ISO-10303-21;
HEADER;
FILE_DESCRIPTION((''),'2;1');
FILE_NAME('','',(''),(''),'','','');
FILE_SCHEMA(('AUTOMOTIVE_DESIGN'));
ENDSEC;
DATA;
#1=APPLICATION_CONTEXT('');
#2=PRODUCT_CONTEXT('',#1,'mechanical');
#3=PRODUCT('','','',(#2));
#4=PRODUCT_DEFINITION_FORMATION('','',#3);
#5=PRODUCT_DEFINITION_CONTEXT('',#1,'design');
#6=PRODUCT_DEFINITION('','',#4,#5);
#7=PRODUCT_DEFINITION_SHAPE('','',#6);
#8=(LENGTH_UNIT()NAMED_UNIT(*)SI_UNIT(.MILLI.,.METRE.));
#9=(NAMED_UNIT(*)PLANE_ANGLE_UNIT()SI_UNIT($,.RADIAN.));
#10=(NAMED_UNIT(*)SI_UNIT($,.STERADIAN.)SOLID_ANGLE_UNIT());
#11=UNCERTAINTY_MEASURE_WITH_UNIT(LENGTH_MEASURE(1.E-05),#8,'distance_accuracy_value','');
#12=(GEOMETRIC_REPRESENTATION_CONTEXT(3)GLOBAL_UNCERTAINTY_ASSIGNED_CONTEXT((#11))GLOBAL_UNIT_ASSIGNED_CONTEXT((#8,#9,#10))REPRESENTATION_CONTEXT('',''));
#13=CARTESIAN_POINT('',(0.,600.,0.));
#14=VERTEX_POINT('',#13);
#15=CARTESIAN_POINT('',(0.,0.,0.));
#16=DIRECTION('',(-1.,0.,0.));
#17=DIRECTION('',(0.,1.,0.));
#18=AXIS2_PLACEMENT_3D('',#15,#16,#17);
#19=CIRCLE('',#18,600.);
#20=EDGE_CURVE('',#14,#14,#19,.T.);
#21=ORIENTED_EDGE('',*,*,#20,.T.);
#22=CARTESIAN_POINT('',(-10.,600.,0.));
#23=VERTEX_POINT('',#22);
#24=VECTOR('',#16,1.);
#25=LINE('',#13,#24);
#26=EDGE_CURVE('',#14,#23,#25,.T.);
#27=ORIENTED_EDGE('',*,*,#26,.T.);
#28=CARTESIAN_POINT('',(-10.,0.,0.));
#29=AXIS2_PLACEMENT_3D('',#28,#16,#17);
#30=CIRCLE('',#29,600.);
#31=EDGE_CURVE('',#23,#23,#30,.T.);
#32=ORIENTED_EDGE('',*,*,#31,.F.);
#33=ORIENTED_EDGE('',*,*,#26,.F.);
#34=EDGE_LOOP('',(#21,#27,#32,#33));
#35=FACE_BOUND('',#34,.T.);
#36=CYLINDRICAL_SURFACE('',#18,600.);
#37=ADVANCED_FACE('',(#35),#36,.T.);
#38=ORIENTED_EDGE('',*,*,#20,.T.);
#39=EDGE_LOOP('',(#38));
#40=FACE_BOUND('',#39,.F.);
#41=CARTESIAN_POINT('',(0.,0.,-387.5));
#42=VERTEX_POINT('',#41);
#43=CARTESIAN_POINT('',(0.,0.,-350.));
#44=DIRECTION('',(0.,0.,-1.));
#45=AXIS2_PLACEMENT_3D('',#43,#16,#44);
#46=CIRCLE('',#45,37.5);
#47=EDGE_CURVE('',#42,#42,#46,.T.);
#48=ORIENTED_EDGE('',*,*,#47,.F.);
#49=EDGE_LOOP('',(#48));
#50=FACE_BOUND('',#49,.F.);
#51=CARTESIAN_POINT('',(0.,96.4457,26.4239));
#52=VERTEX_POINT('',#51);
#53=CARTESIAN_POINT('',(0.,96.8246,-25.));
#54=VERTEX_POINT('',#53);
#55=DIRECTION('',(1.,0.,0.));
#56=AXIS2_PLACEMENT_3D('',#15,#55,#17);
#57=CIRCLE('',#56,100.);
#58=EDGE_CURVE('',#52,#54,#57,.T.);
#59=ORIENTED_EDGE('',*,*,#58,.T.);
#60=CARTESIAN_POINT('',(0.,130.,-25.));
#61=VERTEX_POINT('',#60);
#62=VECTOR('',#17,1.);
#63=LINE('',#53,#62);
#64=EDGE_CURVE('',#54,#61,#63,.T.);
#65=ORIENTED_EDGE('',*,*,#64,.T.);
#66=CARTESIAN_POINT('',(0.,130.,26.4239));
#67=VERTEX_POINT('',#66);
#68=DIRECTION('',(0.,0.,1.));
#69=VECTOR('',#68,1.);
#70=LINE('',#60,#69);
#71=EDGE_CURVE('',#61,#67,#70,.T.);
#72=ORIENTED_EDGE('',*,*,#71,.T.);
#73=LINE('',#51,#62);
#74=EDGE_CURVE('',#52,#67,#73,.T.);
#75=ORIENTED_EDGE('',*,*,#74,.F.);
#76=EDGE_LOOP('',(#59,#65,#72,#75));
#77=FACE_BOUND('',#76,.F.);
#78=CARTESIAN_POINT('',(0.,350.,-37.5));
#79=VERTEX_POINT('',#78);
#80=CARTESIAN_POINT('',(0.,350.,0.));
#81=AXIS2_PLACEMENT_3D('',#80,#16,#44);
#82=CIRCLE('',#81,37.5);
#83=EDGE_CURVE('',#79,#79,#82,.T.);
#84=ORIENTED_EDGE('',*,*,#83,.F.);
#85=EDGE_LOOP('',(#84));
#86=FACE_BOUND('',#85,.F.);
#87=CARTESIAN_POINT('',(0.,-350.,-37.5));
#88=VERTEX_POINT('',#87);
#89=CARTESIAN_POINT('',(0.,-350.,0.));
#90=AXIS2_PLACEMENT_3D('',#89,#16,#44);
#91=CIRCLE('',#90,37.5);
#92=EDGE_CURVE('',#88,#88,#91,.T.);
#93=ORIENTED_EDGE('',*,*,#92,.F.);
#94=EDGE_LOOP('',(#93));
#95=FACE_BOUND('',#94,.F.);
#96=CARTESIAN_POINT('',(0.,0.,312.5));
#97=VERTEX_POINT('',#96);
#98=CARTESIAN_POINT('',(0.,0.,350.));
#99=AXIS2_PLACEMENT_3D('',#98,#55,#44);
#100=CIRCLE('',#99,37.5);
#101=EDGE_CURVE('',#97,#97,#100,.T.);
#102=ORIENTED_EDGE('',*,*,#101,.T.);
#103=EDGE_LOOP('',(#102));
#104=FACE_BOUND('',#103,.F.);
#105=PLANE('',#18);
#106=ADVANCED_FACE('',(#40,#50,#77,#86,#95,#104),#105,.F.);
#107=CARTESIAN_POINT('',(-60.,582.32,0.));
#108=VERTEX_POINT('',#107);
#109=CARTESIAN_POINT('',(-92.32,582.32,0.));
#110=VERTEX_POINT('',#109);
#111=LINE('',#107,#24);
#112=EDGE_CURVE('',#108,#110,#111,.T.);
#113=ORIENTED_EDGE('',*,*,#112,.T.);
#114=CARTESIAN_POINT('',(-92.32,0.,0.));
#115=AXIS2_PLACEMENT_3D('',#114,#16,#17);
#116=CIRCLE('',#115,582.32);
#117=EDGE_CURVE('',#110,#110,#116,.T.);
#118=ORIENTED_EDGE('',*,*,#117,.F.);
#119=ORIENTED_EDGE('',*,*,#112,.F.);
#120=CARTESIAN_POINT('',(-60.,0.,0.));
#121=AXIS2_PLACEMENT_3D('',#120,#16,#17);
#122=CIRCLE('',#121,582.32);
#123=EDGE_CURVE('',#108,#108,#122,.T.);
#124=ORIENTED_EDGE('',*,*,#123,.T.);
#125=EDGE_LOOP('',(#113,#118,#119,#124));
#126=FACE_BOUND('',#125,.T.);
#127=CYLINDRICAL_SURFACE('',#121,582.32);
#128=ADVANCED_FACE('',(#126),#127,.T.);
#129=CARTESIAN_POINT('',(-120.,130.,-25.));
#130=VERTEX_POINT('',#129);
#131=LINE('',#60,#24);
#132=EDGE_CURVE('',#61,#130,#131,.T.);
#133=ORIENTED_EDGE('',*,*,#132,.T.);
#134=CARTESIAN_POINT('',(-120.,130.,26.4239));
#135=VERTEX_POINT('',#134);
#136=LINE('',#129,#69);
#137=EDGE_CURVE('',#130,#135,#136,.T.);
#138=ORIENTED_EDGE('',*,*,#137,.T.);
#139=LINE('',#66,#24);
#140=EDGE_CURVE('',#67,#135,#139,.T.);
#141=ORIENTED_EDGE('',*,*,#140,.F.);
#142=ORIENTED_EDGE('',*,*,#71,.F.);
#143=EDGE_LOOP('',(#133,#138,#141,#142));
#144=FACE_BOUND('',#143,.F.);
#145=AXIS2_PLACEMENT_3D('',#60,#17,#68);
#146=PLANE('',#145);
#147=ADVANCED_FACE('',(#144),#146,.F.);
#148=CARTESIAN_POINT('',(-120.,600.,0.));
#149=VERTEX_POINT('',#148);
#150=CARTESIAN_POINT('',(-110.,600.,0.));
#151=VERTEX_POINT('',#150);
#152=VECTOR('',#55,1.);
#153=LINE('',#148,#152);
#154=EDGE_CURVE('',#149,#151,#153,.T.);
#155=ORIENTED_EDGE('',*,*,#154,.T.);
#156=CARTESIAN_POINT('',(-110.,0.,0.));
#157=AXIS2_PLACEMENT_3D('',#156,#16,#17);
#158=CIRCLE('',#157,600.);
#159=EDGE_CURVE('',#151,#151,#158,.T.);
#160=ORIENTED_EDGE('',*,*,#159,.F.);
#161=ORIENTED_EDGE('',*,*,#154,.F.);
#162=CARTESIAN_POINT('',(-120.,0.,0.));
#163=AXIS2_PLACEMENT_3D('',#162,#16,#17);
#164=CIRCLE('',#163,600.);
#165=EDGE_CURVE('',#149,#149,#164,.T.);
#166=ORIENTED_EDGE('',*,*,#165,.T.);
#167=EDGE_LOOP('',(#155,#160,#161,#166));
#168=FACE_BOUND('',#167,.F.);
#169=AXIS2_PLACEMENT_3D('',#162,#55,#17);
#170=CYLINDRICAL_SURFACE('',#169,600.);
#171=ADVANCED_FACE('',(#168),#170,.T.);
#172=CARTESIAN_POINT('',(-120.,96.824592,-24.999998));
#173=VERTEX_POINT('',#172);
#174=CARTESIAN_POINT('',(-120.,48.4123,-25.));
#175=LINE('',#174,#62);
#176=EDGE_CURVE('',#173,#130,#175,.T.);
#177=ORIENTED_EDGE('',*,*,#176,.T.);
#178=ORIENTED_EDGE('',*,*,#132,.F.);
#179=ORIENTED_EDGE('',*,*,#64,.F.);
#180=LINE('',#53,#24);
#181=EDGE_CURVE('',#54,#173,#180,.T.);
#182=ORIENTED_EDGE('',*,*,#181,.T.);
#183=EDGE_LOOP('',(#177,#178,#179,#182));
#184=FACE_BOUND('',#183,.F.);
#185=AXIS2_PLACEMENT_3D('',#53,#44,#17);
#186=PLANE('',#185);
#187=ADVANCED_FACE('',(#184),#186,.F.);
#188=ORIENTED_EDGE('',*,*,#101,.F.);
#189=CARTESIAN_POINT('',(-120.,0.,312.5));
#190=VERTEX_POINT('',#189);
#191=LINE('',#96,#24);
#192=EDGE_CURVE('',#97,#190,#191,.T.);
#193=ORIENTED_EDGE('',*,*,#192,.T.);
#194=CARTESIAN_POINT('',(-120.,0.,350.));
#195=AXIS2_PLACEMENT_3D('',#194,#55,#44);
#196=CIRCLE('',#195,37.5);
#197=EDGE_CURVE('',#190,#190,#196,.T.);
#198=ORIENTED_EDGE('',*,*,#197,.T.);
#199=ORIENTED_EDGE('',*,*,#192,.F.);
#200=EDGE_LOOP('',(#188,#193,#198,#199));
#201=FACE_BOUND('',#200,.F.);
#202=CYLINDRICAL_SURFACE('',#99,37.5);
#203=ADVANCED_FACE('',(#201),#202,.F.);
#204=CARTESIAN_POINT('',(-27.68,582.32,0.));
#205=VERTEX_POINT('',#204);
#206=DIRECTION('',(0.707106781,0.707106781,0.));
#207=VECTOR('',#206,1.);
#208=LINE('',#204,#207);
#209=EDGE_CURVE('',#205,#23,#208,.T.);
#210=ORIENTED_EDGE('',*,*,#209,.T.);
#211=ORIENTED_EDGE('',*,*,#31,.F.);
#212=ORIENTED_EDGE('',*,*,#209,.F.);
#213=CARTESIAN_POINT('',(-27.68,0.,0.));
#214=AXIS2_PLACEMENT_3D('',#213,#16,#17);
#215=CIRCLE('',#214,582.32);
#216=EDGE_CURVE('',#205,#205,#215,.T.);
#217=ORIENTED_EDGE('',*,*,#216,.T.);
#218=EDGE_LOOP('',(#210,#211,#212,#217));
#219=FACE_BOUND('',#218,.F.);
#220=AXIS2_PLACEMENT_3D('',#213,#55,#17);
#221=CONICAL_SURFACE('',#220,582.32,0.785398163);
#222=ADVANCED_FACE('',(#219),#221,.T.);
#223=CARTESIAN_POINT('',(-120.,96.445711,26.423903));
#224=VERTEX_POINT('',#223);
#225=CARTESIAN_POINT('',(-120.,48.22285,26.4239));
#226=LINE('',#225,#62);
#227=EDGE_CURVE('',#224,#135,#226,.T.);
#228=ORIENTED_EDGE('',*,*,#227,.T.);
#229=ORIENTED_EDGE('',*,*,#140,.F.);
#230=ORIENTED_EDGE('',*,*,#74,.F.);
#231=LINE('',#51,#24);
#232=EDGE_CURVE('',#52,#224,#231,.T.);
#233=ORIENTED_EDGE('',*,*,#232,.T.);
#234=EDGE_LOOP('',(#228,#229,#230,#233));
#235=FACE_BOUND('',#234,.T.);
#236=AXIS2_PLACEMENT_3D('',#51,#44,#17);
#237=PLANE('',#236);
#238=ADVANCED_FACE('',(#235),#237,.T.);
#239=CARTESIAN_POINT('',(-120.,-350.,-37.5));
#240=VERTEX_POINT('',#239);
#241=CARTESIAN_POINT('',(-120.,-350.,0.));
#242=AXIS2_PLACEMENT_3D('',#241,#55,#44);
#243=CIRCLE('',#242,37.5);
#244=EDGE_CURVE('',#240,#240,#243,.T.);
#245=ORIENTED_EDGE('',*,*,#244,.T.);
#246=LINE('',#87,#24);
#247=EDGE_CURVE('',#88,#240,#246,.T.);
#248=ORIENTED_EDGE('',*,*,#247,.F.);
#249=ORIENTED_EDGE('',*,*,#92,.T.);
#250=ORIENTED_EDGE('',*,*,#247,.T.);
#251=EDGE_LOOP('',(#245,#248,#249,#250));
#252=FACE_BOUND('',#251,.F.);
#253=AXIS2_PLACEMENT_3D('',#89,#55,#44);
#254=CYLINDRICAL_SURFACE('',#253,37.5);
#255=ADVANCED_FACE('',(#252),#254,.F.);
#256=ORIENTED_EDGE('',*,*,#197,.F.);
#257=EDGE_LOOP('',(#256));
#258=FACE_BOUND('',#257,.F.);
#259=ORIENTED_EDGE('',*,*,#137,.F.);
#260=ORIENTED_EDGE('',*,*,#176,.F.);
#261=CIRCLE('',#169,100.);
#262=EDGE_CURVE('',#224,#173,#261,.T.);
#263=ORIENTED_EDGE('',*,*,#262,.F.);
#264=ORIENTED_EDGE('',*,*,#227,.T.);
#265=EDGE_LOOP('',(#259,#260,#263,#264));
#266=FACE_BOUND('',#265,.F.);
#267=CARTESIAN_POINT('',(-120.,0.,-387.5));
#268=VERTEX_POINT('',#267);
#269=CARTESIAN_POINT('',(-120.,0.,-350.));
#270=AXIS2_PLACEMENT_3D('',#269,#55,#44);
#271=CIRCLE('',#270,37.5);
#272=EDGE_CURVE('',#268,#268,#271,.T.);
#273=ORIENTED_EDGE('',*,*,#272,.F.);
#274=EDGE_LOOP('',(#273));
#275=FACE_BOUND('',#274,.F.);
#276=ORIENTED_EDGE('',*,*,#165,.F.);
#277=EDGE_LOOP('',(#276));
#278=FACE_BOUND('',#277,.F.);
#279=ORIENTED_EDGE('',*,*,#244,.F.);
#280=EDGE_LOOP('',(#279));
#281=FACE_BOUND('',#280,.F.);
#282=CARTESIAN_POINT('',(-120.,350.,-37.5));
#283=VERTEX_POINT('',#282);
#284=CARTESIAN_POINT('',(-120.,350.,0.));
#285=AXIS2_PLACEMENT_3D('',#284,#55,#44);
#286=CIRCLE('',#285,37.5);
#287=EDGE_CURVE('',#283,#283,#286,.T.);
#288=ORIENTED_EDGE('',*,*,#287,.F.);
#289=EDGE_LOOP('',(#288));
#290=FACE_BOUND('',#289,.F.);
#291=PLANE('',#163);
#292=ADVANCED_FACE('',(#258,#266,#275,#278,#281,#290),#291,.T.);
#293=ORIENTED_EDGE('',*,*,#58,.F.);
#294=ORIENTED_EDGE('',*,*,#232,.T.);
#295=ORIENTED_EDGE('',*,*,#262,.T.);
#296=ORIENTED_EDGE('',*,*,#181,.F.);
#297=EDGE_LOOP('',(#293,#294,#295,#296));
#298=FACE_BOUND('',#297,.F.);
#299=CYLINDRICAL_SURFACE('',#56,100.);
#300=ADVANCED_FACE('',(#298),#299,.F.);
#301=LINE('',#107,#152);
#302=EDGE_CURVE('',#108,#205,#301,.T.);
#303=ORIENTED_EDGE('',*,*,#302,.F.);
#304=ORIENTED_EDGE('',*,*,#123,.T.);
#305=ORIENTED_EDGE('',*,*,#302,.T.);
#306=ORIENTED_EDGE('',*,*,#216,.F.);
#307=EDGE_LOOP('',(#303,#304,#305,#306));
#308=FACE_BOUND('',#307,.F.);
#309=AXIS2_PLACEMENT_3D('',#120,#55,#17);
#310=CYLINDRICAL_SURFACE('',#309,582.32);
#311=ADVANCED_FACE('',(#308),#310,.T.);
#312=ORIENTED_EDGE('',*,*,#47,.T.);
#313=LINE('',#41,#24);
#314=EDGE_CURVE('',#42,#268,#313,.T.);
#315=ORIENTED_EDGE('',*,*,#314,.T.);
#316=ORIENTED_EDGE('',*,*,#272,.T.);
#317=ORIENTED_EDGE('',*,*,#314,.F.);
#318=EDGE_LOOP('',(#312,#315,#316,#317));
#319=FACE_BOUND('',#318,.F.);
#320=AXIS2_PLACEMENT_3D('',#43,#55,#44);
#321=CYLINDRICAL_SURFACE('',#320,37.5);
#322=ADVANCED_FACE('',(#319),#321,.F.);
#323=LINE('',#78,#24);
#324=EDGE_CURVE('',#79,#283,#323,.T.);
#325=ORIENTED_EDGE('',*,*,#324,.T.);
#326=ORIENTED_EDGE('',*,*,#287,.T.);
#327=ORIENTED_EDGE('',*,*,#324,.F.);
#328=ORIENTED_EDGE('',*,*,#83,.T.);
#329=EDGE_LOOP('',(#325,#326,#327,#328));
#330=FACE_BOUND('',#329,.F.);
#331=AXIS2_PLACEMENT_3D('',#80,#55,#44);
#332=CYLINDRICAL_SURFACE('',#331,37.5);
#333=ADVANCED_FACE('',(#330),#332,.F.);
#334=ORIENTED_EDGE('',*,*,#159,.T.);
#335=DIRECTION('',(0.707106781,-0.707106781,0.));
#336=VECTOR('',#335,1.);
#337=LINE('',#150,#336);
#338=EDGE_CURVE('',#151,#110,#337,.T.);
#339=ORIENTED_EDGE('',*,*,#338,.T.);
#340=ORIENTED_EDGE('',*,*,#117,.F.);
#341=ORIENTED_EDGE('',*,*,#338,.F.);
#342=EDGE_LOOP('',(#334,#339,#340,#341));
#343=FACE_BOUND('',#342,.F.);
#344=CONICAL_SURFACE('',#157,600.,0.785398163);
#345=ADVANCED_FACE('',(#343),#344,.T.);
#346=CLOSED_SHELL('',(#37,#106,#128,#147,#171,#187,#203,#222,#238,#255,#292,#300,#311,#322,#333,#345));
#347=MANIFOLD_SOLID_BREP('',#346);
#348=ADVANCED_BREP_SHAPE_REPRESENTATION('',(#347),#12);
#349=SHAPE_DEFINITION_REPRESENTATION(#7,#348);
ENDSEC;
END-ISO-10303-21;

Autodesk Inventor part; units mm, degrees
ref_plane "YZ Plane" through (0, 0, 0) normal (1, 0, 0) x (0, 1, 0)
ref_plane "XZ Plane" through (0, 0, 0) normal (0, 1, 0) x (-1, 0, 0)
ref_plane "XY Plane" through (0, 0, 0) normal (0, 0, 1) x (1, 0, 0)
sketch "Sketch1" plane through (0, 0, 0) normal (0, 0, 1) x (1, 0, 0)
  line L0 (0, 0) -> (-120, 0)
  line L1 (-120, 0) -> (-120, 600)
  line L2 (0, 600) -> (0, 0)
  line L3 (-120, 600) -> (-110, 600)
  line L4 (0, 600) -> (-10, 600)
  line L5 (-60, 582.32) -> (-27.68, 582.32)
  line L6 (-60, 582.32) -> (-92.32, 582.32)
  line L7 (-110, 600) -> (-92.32, 582.32)
  line L8 (-27.68, 582.32) -> (-10, 600)
  line L9 (-120, 600) -> (-110, 600)
  line L10 (-10, 600) -> (0, 600)
  dimension "d0" = 120
  dimension "d1" = 600
  dimension "d3" = 10
  dimension "d4" = 10
  dimension "d5" = 32.32
  dimension "d6" = 32.32
sketch "Sketch2" plane through (0, 0, 0) normal (1, 0, 0) x (0, 1, 0)
  circle A0 centre (0, 0) radius 100
  dimension "d7" = 200
sketch "Sketch3" plane through (0, 0, 0) normal (0, 0, 1) x (1, 0, 0)
  line L0 (0, 0) -> (0, 1416.3001) construction
revolve "Revolution1" add sketch "Sketch1" angle 360 about axis through (0, 0, 0) along (-1, 0, 0)
extrude "Extrusion1" cut sketch "Sketch2" against normal through all
sketch "Sketch4" plane through (0, 0, 0) normal (1, 0, 0) x (0, 0, -1)
  circle A0 centre (0, 0) radius 100 projected
  line L0 (0, 0) -> (25, 0)
  line L1 (25, 96.8246) -> (25, 130)
  line L2 (25, 130) -> (0, 130)
  line L3 (0, 0) -> (-26.4239, 0)
  line L4 (-26.4239, 96.4457) -> (-26.4239, 130)
  line L5 (-26.4239, 130) -> (0, 130)
  dimension "d11" = 25
  dimension "d12" = 130
extrude "Extrusion2" cut sketch "Sketch4" against normal through all contours A0 L4 L5 L2 L1
sketch "Sketch5" plane through (0, 0, 0) normal (1, 0, 0) x (0, 0, -1)
  line L0 (0, 0) -> (350, 0)
  line L1 (0, 0) -> (0, 350)
  line L2 (0, 0) -> (-350, 0)
  line L3 (0, 0) -> (0, -350)
  circle A0 centre (0, 350) radius 37.5
  circle A1 centre (350, 0) radius 37.5
  circle A2 centre (0, -350) radius 37.5
  circle A3 centre (-350, 0) radius 37.5
  dimension "d15" = 350
  dimension "d16" = 350
  dimension "d17" = 350
  dimension "d18" = 350
  dimension "d19" = 75
  dimension "d20" = 75
  dimension "d21" = 75
  dimension "d22" = 75
extrude "Extrusion3" cut sketch "Sketch5" against normal through all
properties part number "P#2_LAB_DINAMICA"
